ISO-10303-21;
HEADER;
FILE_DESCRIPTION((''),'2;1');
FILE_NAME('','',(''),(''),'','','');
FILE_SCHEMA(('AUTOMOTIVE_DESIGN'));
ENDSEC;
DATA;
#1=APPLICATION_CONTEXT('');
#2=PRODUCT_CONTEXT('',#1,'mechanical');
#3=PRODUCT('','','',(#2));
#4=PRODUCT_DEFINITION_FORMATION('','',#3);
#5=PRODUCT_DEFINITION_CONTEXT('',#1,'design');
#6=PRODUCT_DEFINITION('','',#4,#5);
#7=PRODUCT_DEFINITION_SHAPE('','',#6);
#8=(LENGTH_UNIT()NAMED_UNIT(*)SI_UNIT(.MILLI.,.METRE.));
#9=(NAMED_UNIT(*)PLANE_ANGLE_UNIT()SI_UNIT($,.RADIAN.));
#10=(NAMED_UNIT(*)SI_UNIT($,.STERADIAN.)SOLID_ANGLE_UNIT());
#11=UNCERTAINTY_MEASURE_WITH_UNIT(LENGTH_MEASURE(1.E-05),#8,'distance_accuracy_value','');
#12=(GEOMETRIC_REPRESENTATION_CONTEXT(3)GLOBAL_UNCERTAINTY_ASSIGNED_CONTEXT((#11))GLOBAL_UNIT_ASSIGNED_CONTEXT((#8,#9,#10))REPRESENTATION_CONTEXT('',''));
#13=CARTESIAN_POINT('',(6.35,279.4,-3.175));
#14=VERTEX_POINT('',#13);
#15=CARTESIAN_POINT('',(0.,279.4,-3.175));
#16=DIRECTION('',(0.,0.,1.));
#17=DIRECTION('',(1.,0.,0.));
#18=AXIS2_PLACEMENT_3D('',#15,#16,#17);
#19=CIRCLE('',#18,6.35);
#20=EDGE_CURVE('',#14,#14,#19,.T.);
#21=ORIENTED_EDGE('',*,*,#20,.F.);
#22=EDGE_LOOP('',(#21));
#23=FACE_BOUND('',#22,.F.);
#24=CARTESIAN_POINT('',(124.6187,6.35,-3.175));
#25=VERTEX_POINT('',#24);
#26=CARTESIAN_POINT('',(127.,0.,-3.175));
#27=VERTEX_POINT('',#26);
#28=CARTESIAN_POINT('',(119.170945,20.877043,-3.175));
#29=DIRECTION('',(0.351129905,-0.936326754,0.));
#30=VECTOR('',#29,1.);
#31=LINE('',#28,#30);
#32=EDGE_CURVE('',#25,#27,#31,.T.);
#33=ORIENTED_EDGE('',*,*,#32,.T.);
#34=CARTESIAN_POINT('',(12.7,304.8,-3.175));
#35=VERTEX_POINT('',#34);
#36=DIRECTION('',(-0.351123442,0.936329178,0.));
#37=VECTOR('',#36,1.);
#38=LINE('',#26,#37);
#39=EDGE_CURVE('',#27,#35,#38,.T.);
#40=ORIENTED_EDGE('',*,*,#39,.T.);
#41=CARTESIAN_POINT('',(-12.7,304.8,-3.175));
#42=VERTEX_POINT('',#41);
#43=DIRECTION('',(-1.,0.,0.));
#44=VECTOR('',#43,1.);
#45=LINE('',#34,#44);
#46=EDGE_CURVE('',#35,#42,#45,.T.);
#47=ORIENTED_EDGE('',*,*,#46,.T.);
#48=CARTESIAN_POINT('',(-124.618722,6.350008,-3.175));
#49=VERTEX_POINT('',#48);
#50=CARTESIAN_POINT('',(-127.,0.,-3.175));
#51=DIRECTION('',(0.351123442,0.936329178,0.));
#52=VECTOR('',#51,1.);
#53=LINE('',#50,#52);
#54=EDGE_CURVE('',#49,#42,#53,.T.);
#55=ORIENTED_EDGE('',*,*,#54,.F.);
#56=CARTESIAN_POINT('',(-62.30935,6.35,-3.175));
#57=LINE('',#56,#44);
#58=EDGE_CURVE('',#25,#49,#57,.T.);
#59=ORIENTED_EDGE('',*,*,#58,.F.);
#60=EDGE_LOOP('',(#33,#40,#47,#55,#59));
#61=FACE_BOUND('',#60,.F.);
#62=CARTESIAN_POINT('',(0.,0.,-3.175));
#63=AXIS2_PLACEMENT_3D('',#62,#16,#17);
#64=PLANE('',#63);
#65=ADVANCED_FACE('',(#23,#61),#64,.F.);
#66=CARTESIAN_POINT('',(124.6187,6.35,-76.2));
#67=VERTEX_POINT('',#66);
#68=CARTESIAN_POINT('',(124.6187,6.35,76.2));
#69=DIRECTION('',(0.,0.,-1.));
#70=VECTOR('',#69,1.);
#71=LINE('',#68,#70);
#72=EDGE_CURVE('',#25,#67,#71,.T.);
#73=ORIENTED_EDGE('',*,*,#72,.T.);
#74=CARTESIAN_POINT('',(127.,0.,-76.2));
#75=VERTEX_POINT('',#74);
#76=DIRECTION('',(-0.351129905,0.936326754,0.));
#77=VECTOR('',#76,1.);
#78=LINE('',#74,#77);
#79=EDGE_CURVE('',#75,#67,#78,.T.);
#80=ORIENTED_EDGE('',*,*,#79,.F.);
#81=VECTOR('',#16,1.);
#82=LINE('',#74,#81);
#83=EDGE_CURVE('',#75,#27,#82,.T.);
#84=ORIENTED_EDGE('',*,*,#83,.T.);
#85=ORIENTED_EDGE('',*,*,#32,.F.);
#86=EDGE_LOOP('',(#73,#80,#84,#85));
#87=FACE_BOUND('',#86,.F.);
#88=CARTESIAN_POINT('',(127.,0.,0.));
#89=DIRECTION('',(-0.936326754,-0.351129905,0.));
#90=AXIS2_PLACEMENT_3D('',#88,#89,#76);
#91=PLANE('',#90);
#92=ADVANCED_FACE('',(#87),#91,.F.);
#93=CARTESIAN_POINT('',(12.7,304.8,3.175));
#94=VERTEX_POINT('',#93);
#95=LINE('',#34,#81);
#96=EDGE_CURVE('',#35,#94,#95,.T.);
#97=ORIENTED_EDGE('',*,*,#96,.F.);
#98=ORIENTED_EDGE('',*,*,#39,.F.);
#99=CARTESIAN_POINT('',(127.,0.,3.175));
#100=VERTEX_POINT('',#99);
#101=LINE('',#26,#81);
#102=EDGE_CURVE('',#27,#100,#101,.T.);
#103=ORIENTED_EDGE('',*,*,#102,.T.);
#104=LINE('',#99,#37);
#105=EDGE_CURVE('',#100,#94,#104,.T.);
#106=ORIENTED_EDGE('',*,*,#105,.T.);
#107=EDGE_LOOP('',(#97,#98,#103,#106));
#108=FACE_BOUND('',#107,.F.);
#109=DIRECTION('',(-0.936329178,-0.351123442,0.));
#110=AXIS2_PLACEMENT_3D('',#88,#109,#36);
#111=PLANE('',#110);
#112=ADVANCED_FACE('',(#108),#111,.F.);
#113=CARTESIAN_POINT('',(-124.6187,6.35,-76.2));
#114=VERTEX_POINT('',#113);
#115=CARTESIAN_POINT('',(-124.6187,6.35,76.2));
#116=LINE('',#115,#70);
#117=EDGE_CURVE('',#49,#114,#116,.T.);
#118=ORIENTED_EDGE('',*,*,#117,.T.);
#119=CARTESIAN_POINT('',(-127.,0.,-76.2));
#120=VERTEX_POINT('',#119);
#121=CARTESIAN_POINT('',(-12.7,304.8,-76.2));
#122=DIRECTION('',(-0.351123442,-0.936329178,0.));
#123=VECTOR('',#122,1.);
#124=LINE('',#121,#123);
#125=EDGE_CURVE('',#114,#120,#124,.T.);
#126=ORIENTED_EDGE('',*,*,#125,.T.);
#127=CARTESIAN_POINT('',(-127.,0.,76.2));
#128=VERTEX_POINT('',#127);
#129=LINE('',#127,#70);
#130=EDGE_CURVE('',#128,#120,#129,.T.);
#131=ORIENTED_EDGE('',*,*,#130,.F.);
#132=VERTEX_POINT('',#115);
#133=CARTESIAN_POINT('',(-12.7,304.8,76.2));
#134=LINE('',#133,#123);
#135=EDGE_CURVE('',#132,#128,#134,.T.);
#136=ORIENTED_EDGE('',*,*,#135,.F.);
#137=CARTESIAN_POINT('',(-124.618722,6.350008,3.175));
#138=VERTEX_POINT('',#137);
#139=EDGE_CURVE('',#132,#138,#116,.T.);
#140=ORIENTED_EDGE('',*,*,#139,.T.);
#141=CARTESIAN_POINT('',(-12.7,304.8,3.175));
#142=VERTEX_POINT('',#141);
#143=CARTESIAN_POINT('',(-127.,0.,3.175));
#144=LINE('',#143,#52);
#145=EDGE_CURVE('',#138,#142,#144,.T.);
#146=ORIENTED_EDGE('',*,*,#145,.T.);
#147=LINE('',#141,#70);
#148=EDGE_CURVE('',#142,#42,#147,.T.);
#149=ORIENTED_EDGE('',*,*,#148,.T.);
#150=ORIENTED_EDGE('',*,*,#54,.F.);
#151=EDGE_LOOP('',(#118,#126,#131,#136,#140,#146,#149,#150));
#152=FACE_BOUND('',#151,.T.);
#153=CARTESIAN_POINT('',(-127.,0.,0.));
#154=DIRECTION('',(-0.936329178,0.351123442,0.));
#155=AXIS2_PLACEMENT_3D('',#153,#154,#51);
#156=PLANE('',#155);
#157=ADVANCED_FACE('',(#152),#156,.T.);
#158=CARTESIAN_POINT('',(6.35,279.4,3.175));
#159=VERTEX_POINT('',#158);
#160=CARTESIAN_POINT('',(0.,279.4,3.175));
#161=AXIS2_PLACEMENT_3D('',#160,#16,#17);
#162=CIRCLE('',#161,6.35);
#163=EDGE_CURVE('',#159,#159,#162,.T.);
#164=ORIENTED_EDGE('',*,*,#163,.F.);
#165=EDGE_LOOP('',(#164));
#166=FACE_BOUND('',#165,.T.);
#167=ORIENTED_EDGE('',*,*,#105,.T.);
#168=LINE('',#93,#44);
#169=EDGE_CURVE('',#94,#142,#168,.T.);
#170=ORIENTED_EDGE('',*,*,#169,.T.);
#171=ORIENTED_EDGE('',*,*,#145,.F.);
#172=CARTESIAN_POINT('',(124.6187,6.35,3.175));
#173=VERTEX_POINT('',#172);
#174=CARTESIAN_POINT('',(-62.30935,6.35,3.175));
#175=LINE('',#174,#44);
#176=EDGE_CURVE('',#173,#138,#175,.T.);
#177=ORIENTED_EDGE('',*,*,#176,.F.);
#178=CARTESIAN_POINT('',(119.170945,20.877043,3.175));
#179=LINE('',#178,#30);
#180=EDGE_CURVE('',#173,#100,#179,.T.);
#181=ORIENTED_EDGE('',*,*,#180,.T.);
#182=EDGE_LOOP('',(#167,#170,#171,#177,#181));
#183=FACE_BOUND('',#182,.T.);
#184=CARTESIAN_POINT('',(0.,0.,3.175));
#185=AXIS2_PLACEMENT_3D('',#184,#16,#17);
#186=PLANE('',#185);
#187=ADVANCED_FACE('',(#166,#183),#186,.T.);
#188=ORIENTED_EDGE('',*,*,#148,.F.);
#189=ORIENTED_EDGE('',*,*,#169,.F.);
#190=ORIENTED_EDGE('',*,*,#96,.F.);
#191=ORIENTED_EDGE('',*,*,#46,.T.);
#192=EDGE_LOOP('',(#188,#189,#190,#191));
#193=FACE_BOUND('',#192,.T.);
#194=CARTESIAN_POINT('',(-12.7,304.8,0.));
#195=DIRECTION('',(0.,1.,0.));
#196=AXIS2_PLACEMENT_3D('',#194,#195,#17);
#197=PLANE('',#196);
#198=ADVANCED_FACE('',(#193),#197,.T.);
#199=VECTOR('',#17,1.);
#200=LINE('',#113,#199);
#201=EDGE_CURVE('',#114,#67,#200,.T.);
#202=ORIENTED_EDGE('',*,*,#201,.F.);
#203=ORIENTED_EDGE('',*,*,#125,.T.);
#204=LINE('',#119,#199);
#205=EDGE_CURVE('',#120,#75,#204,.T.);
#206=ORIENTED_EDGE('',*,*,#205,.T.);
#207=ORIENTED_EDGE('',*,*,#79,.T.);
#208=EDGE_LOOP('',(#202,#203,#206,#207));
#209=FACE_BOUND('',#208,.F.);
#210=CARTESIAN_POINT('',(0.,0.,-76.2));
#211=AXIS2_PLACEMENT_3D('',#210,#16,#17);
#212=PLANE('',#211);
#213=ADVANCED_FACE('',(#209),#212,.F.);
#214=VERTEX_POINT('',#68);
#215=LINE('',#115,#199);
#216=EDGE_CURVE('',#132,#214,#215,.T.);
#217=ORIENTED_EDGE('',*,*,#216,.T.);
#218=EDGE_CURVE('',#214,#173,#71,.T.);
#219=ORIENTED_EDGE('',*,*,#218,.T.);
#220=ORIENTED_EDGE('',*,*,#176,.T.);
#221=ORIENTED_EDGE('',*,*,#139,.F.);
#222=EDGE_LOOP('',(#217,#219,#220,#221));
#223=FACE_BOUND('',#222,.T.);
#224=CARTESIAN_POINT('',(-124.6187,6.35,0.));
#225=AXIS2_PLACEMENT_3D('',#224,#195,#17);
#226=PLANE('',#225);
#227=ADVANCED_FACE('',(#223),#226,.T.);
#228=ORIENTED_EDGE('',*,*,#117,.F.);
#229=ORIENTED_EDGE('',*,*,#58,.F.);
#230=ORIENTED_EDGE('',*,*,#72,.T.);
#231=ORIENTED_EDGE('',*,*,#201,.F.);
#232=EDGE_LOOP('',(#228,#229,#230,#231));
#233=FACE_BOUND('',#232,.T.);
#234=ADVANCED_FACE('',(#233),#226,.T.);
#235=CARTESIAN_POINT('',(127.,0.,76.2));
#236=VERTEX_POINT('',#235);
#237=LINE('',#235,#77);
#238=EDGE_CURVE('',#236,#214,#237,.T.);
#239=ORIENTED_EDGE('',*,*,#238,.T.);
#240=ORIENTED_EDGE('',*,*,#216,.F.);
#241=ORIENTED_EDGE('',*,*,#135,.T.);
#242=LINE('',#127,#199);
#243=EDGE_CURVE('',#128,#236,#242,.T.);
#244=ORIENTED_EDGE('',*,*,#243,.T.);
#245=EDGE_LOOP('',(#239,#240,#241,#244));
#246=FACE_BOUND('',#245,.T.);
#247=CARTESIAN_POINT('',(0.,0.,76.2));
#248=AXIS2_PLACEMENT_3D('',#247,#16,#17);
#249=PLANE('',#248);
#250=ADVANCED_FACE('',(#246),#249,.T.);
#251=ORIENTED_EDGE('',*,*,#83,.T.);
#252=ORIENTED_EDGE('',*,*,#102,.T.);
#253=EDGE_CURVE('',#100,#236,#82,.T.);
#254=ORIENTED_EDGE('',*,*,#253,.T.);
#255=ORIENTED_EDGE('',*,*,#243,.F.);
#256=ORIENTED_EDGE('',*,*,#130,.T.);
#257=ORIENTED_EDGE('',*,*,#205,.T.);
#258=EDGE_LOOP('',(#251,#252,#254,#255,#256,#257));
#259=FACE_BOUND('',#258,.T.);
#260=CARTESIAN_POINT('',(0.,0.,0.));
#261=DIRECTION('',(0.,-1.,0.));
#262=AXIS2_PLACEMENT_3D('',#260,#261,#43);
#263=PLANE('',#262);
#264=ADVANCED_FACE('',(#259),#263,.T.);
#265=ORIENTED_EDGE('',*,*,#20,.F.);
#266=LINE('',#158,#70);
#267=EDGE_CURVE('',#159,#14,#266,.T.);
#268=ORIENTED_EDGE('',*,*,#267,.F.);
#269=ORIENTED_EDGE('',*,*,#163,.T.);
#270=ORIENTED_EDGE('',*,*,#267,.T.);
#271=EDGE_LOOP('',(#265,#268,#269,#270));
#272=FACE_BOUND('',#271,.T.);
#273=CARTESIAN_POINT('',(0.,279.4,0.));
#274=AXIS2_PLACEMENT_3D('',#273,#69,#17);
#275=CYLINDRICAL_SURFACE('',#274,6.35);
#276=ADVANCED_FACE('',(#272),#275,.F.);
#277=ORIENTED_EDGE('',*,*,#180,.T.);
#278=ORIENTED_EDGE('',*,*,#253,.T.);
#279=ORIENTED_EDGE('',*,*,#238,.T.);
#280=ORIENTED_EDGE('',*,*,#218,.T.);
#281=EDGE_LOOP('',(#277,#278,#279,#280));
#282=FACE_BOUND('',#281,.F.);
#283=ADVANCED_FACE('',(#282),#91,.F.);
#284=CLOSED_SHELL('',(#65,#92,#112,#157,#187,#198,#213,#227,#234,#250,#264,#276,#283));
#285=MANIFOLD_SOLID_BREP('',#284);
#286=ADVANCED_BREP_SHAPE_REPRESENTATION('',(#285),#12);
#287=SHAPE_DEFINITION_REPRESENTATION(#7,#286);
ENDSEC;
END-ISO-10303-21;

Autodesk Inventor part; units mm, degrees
ref_plane "YZ Plane" through (0, 0, 0) normal (1, 0, 0) x (0, 1, 0)
ref_plane "XZ Plane" through (0, 0, 0) normal (0, 1, 0) x (-1, 0, 0)
ref_plane "XY Plane" through (0, 0, 0) normal (0, 0, 1) x (1, 0, 0)
sketch "Sketch1" plane through (0, 0, 0) normal (0, 0, 1) x (1, 0, 0)
  line L0 (0, 0) -> (127, 0)
  line L1 (127, 0) -> (12.7, 304.8)
  line L2 (12.7, 304.8) -> (0, 304.8)
  line L3 (0, 304.8) -> (0, 0) construction
  line L4 (0, 0) -> (-127, 0)
  line L5 (-127, 0) -> (-12.7, 304.8)
  line L6 (-12.7, 304.8) -> (0, 304.8)
  circle A0 centre (0, 279.4) radius 6.35
  dimension "d0" = 304.8
  dimension "d1" = 254
  dimension "d2" = 25.4
  dimension "d3" = 12.7
  dimension "d4" = 279.4
extrude "Extrusion1" add sketch "Sketch1" along normal mid plane 6.35
sketch "Sketch2" plane through (0, 0, 0) normal (0, 0, 1) x (1, 0, 0)
  line L0 (-127, 0) -> (127, 0) projected
  line L1 (-127, 0) -> (127, 0)
  line L2 (127, 0) -> (124.6187, 6.35)
  line L3 (127, 0) -> (12.7, 304.8) projected
  line L4 (-12.7, 304.8) -> (-127, 0) projected
  line L5 (-124.6187, 6.35) -> (-127, 0)
  line L6 (-124.6187, 6.35) -> (124.6187, 6.35)
  point P0 (0, 0)
  dimension "d7" = 6.35
extrude "Extrusion2" add sketch "Sketch2" along normal mid plane 152.4
equation "\"d0\" = pitchingMachineltSideHeight"
equation "\"d1\" = pitchingMachineSideWidth"
equation "\"d2\" = pitchingMachineltTopWidth"
equation "\"d3\" = pitchingMachineSideHoleDiam"
equation "\"d4\" = pitchingMachineSideHoleHeight"
equation "\"d5\" = pitchingMachineSideDepth"
equation "\"d7\" = pitchingMachineSideDepth"
equation "\"d8\" = pitchingMachineltSupportWidth"
equation "\"pitchingMachineltSideHeight\" = 304.8"
equation "\"pitchingMachineSideWidth\" = 254"
equation "\"pitchingMachineSideDepth\" = 6.35"
equation "\"pitchingMachineSideHoleDiam\" = 12.7"
equation "\"pitchingMachineltTopWidth\" = 25.4"
equation "\"pitchingMachineltSupportWidth\" = 152.4"
equation "\"pitchingMachineSideHoleHeight\" = 279.4"
properties part number "PitchingMachineSupport"
